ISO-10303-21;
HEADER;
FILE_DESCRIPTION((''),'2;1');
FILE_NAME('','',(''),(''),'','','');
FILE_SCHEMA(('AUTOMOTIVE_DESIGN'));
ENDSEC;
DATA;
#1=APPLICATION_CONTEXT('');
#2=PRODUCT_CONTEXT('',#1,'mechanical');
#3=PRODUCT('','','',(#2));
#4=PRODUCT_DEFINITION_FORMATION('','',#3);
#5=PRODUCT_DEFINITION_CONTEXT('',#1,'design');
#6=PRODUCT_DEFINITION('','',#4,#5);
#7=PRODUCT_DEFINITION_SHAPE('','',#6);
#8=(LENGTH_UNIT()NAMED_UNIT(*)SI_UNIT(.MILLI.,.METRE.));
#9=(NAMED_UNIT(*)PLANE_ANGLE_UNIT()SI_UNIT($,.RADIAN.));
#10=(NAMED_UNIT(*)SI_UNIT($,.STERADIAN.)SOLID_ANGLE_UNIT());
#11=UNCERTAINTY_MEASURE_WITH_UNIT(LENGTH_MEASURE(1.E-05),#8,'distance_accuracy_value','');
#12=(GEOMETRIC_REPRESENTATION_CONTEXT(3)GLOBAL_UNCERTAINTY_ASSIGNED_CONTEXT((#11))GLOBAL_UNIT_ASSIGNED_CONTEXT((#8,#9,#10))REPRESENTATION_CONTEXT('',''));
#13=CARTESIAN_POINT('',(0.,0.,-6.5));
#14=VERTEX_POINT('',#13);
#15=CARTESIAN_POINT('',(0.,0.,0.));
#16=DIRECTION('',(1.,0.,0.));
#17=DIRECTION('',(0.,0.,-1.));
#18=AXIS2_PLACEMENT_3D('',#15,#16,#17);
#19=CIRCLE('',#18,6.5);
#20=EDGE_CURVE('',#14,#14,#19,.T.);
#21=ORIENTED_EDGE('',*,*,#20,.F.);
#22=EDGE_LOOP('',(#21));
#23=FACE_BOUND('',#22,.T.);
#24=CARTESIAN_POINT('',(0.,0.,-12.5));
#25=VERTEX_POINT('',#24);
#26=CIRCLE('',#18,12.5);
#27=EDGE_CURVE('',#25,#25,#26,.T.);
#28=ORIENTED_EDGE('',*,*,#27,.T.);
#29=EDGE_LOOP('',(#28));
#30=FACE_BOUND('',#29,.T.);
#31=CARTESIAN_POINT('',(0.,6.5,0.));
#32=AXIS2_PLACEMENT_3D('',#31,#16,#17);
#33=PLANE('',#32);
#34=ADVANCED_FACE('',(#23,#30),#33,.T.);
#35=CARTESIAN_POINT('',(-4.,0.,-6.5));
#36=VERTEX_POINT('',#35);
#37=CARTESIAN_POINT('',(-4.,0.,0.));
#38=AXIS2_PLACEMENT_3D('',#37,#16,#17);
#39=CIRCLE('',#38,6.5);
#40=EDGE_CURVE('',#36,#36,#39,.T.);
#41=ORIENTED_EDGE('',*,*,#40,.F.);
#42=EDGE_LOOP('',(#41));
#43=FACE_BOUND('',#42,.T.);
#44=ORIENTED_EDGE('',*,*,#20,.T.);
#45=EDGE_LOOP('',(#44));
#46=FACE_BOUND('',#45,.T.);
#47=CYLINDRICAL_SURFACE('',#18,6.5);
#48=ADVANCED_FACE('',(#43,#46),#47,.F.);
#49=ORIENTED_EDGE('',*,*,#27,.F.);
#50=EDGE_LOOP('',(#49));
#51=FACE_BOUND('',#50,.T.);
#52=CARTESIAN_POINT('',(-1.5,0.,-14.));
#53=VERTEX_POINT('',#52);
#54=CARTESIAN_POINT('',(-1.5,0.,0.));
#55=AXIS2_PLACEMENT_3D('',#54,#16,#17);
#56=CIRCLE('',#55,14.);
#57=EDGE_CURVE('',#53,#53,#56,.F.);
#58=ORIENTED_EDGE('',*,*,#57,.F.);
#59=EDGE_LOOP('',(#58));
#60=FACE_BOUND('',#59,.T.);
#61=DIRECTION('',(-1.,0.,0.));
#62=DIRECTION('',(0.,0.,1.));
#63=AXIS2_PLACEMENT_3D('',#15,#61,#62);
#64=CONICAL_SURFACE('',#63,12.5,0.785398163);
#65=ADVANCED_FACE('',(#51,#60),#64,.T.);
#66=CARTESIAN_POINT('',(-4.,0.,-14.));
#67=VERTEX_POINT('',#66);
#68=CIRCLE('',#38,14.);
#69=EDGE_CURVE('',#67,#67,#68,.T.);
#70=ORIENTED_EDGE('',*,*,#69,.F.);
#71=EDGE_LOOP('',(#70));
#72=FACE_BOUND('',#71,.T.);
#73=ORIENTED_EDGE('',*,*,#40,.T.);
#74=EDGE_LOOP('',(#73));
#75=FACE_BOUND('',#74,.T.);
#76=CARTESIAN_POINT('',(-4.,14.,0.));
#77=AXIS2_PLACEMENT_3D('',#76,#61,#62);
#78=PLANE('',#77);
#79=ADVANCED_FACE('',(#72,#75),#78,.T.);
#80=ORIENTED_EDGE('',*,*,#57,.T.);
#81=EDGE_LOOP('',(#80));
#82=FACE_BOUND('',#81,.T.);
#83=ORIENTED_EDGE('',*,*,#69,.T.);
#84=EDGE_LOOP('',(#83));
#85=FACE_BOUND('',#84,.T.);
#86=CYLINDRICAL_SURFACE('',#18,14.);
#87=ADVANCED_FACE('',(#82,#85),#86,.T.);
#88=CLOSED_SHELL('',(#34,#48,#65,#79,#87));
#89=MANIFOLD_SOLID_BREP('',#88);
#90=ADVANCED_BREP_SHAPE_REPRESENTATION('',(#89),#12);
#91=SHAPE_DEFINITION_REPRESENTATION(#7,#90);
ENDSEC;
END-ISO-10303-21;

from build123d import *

# Parameters (mm, degrees)
SKETCH_1_W     = 4
SKETCH_1_H     = 7.5
CHAMFER_2_SIZE = 1.5


with BuildPart() as part:
    # 草图1 → 旋转1 (revolve)
    with BuildSketch(Plane.XY, mode=Mode.PRIVATE) as revolve_1_sk:
        with Locations((-2, 10.25)):
            Rectangle(SKETCH_1_W, SKETCH_1_H)
    revolve(revolve_1_sk.sketch.rotate(Axis((0, 0, 0), (-1, 0, 0)), 90), axis=Axis((0, 0, 0), (-1, 0, 0)))

    # 倒角2
    chamfer_2_edges = [part.edges().sort_by_distance(p)[0] for p in [
        (0, 0, 14),
    ]]
    chamfer(chamfer_2_edges, length=CHAMFER_2_SIZE)


solid = part.part
